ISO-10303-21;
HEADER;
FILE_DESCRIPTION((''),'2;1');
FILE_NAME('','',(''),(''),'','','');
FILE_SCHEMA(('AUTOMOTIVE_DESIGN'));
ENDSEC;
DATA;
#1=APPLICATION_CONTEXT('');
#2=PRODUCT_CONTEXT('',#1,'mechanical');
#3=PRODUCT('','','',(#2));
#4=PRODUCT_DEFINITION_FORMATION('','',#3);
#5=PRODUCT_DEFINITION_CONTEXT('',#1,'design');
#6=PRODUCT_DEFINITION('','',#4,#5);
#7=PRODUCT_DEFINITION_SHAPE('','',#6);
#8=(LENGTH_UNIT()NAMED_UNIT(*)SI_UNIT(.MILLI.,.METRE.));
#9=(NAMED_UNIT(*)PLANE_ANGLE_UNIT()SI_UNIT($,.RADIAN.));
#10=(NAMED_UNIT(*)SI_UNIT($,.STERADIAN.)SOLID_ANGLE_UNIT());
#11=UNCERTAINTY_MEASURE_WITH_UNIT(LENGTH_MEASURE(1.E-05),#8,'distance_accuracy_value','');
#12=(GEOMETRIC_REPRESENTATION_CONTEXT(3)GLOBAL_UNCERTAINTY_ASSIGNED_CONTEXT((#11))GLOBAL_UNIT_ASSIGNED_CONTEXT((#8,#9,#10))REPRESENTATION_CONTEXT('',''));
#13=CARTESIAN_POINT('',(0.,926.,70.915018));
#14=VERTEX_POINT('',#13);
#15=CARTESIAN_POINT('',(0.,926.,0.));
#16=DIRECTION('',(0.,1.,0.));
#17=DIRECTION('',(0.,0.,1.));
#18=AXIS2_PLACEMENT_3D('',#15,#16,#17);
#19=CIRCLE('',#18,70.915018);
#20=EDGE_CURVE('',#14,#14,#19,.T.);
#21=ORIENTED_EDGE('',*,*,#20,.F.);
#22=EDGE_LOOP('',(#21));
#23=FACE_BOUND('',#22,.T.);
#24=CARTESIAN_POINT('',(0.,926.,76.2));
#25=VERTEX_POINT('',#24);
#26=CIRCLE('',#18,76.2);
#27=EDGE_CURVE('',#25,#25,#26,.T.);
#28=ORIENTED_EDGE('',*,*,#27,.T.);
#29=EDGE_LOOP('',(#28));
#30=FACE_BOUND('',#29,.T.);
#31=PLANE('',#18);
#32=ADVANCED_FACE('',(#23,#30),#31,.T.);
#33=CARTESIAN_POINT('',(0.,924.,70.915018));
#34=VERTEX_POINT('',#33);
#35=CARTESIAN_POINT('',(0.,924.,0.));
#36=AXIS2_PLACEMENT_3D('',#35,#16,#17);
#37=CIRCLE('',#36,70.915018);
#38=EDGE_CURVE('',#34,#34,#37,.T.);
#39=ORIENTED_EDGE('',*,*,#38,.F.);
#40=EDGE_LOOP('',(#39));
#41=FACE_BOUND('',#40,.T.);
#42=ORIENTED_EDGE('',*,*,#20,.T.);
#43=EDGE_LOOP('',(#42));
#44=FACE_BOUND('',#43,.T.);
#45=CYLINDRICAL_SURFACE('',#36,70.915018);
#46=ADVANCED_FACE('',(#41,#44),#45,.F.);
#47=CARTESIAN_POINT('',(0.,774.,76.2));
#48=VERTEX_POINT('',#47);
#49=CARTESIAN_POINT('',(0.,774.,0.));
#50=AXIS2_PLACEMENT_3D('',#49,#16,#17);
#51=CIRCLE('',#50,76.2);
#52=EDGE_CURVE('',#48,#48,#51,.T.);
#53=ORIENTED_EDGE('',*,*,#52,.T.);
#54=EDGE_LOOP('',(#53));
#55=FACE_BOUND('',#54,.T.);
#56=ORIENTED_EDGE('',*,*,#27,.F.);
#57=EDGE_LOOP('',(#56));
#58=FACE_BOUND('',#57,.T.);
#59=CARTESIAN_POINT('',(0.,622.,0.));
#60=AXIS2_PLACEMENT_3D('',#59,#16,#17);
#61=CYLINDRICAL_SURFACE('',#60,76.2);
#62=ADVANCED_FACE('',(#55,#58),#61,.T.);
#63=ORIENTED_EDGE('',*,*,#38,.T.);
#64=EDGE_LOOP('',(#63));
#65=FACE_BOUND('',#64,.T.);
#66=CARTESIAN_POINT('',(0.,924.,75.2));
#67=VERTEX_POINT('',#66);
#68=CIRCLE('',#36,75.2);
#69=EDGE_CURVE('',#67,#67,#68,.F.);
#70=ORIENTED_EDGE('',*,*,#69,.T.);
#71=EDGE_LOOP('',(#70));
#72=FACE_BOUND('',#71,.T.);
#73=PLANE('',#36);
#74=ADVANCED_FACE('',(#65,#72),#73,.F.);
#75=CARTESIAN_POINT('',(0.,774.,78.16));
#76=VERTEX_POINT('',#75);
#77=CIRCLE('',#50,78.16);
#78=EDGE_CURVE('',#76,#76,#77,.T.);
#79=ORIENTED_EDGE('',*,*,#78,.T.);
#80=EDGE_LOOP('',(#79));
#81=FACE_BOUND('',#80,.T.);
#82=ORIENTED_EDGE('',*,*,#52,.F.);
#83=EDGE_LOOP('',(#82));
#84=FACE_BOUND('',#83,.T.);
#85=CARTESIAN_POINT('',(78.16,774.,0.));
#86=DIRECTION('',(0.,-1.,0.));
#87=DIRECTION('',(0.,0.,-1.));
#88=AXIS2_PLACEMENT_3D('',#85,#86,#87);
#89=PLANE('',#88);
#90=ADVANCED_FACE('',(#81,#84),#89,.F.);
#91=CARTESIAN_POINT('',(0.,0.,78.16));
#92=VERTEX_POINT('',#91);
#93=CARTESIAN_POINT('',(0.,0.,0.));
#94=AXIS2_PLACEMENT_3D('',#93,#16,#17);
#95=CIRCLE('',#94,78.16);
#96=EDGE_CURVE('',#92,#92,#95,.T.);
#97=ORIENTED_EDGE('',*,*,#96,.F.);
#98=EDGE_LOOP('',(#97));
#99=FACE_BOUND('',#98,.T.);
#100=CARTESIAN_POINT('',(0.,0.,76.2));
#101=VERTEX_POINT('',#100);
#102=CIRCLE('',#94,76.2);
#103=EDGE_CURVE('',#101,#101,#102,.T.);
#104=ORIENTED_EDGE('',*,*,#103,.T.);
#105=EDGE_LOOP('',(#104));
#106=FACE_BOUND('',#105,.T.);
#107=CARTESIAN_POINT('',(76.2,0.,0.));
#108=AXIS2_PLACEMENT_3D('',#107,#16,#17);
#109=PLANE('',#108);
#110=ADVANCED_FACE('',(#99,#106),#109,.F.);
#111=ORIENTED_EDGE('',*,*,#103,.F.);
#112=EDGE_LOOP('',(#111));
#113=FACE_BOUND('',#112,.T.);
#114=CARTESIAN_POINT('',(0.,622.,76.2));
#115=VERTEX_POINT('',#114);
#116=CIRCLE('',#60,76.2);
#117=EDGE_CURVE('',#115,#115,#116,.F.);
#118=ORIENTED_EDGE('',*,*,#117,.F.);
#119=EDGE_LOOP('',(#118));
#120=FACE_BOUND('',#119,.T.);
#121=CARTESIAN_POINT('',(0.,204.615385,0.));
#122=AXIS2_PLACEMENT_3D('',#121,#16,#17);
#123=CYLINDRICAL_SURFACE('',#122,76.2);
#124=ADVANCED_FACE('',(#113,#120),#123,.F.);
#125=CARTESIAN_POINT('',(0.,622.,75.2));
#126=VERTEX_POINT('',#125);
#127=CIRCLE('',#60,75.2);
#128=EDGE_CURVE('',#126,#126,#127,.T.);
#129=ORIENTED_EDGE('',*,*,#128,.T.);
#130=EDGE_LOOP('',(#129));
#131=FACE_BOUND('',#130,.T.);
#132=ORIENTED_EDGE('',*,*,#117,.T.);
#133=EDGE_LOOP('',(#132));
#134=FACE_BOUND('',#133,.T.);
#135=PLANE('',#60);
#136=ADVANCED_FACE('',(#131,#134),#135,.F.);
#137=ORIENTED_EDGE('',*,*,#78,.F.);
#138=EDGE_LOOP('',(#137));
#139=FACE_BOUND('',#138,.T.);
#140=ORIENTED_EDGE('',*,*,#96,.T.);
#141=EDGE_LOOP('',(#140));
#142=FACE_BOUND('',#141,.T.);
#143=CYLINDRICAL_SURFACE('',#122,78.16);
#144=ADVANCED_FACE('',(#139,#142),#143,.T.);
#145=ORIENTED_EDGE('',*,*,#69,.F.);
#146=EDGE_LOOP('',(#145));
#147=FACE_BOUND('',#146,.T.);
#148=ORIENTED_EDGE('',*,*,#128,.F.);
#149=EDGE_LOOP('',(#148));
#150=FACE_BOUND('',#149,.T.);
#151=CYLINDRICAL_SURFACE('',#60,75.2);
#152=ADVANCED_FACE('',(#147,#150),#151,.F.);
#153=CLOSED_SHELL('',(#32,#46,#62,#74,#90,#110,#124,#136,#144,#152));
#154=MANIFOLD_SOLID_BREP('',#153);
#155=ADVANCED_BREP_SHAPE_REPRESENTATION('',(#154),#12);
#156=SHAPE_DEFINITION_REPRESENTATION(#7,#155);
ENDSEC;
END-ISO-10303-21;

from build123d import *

# Parameters (mm, degrees)
SKETCH1_W                = 1.96
SKETCH1_H                = 774
BOSS_EXTRUDE1_DEPTH      = 152
BOSS_EXTRUDE1_DEPTH_BACK = 152
SKETCH3_R                = 76.2
SKETCH3_R_2              = 75.2
BOSS_EXTRUDE2_START      = -2
SKETCH4_R                = 76.2
SKETCH4_R_2              = 70.915017824
BOSS_EXTRUDE2_DEPTH      = 2


with BuildPart() as part:
    # Sketch1 → Revolve1 (revolve)
    with BuildSketch(Plane.XY, mode=Mode.PRIVATE) as revolve1_sk:
        with Locations((77.18, 387)):
            Rectangle(SKETCH1_W, SKETCH1_H)
    revolve(revolve1_sk.sketch.rotate(Axis((0, 204.615384615, 0), (0, -1, 0)), 90), axis=Axis((0, 204.615384615, 0), (0, -1, 0)))

    # Sketch3 → Boss-Extrude1 (add, two sides: drawn at the far end of the back side and taken through both)
    with BuildSketch(Plane(origin=(0, 774, 0), x_dir=(1, 0, 0), z_dir=(0, 1, 0)).offset(-BOSS_EXTRUDE1_DEPTH_BACK)):
        with Locations(Location((0, 0, 0), (0, 0, 270))):
            Circle(SKETCH3_R)
        with Locations(Location((0, 0, 0), (0, 0, 270))):
            Circle(SKETCH3_R_2, mode=Mode.SUBTRACT)
    extrude(amount=BOSS_EXTRUDE1_DEPTH + BOSS_EXTRUDE1_DEPTH_BACK)

    # Sketch4 → Boss-Extrude2 (add)
    with BuildSketch(Plane(origin=(0, 926, 0), x_dir=(1, 0, 0), z_dir=(0, 1, 0)).offset(BOSS_EXTRUDE2_START)):
        with Locations(Location((0, 0, 0), (0, 0, 270))):
            Circle(SKETCH4_R)
        with Locations(Location((0, 0, 0), (0, 0, 270))):
            Circle(SKETCH4_R_2, mode=Mode.SUBTRACT)
    extrude(amount=BOSS_EXTRUDE2_DEPTH)


solid = part.part
